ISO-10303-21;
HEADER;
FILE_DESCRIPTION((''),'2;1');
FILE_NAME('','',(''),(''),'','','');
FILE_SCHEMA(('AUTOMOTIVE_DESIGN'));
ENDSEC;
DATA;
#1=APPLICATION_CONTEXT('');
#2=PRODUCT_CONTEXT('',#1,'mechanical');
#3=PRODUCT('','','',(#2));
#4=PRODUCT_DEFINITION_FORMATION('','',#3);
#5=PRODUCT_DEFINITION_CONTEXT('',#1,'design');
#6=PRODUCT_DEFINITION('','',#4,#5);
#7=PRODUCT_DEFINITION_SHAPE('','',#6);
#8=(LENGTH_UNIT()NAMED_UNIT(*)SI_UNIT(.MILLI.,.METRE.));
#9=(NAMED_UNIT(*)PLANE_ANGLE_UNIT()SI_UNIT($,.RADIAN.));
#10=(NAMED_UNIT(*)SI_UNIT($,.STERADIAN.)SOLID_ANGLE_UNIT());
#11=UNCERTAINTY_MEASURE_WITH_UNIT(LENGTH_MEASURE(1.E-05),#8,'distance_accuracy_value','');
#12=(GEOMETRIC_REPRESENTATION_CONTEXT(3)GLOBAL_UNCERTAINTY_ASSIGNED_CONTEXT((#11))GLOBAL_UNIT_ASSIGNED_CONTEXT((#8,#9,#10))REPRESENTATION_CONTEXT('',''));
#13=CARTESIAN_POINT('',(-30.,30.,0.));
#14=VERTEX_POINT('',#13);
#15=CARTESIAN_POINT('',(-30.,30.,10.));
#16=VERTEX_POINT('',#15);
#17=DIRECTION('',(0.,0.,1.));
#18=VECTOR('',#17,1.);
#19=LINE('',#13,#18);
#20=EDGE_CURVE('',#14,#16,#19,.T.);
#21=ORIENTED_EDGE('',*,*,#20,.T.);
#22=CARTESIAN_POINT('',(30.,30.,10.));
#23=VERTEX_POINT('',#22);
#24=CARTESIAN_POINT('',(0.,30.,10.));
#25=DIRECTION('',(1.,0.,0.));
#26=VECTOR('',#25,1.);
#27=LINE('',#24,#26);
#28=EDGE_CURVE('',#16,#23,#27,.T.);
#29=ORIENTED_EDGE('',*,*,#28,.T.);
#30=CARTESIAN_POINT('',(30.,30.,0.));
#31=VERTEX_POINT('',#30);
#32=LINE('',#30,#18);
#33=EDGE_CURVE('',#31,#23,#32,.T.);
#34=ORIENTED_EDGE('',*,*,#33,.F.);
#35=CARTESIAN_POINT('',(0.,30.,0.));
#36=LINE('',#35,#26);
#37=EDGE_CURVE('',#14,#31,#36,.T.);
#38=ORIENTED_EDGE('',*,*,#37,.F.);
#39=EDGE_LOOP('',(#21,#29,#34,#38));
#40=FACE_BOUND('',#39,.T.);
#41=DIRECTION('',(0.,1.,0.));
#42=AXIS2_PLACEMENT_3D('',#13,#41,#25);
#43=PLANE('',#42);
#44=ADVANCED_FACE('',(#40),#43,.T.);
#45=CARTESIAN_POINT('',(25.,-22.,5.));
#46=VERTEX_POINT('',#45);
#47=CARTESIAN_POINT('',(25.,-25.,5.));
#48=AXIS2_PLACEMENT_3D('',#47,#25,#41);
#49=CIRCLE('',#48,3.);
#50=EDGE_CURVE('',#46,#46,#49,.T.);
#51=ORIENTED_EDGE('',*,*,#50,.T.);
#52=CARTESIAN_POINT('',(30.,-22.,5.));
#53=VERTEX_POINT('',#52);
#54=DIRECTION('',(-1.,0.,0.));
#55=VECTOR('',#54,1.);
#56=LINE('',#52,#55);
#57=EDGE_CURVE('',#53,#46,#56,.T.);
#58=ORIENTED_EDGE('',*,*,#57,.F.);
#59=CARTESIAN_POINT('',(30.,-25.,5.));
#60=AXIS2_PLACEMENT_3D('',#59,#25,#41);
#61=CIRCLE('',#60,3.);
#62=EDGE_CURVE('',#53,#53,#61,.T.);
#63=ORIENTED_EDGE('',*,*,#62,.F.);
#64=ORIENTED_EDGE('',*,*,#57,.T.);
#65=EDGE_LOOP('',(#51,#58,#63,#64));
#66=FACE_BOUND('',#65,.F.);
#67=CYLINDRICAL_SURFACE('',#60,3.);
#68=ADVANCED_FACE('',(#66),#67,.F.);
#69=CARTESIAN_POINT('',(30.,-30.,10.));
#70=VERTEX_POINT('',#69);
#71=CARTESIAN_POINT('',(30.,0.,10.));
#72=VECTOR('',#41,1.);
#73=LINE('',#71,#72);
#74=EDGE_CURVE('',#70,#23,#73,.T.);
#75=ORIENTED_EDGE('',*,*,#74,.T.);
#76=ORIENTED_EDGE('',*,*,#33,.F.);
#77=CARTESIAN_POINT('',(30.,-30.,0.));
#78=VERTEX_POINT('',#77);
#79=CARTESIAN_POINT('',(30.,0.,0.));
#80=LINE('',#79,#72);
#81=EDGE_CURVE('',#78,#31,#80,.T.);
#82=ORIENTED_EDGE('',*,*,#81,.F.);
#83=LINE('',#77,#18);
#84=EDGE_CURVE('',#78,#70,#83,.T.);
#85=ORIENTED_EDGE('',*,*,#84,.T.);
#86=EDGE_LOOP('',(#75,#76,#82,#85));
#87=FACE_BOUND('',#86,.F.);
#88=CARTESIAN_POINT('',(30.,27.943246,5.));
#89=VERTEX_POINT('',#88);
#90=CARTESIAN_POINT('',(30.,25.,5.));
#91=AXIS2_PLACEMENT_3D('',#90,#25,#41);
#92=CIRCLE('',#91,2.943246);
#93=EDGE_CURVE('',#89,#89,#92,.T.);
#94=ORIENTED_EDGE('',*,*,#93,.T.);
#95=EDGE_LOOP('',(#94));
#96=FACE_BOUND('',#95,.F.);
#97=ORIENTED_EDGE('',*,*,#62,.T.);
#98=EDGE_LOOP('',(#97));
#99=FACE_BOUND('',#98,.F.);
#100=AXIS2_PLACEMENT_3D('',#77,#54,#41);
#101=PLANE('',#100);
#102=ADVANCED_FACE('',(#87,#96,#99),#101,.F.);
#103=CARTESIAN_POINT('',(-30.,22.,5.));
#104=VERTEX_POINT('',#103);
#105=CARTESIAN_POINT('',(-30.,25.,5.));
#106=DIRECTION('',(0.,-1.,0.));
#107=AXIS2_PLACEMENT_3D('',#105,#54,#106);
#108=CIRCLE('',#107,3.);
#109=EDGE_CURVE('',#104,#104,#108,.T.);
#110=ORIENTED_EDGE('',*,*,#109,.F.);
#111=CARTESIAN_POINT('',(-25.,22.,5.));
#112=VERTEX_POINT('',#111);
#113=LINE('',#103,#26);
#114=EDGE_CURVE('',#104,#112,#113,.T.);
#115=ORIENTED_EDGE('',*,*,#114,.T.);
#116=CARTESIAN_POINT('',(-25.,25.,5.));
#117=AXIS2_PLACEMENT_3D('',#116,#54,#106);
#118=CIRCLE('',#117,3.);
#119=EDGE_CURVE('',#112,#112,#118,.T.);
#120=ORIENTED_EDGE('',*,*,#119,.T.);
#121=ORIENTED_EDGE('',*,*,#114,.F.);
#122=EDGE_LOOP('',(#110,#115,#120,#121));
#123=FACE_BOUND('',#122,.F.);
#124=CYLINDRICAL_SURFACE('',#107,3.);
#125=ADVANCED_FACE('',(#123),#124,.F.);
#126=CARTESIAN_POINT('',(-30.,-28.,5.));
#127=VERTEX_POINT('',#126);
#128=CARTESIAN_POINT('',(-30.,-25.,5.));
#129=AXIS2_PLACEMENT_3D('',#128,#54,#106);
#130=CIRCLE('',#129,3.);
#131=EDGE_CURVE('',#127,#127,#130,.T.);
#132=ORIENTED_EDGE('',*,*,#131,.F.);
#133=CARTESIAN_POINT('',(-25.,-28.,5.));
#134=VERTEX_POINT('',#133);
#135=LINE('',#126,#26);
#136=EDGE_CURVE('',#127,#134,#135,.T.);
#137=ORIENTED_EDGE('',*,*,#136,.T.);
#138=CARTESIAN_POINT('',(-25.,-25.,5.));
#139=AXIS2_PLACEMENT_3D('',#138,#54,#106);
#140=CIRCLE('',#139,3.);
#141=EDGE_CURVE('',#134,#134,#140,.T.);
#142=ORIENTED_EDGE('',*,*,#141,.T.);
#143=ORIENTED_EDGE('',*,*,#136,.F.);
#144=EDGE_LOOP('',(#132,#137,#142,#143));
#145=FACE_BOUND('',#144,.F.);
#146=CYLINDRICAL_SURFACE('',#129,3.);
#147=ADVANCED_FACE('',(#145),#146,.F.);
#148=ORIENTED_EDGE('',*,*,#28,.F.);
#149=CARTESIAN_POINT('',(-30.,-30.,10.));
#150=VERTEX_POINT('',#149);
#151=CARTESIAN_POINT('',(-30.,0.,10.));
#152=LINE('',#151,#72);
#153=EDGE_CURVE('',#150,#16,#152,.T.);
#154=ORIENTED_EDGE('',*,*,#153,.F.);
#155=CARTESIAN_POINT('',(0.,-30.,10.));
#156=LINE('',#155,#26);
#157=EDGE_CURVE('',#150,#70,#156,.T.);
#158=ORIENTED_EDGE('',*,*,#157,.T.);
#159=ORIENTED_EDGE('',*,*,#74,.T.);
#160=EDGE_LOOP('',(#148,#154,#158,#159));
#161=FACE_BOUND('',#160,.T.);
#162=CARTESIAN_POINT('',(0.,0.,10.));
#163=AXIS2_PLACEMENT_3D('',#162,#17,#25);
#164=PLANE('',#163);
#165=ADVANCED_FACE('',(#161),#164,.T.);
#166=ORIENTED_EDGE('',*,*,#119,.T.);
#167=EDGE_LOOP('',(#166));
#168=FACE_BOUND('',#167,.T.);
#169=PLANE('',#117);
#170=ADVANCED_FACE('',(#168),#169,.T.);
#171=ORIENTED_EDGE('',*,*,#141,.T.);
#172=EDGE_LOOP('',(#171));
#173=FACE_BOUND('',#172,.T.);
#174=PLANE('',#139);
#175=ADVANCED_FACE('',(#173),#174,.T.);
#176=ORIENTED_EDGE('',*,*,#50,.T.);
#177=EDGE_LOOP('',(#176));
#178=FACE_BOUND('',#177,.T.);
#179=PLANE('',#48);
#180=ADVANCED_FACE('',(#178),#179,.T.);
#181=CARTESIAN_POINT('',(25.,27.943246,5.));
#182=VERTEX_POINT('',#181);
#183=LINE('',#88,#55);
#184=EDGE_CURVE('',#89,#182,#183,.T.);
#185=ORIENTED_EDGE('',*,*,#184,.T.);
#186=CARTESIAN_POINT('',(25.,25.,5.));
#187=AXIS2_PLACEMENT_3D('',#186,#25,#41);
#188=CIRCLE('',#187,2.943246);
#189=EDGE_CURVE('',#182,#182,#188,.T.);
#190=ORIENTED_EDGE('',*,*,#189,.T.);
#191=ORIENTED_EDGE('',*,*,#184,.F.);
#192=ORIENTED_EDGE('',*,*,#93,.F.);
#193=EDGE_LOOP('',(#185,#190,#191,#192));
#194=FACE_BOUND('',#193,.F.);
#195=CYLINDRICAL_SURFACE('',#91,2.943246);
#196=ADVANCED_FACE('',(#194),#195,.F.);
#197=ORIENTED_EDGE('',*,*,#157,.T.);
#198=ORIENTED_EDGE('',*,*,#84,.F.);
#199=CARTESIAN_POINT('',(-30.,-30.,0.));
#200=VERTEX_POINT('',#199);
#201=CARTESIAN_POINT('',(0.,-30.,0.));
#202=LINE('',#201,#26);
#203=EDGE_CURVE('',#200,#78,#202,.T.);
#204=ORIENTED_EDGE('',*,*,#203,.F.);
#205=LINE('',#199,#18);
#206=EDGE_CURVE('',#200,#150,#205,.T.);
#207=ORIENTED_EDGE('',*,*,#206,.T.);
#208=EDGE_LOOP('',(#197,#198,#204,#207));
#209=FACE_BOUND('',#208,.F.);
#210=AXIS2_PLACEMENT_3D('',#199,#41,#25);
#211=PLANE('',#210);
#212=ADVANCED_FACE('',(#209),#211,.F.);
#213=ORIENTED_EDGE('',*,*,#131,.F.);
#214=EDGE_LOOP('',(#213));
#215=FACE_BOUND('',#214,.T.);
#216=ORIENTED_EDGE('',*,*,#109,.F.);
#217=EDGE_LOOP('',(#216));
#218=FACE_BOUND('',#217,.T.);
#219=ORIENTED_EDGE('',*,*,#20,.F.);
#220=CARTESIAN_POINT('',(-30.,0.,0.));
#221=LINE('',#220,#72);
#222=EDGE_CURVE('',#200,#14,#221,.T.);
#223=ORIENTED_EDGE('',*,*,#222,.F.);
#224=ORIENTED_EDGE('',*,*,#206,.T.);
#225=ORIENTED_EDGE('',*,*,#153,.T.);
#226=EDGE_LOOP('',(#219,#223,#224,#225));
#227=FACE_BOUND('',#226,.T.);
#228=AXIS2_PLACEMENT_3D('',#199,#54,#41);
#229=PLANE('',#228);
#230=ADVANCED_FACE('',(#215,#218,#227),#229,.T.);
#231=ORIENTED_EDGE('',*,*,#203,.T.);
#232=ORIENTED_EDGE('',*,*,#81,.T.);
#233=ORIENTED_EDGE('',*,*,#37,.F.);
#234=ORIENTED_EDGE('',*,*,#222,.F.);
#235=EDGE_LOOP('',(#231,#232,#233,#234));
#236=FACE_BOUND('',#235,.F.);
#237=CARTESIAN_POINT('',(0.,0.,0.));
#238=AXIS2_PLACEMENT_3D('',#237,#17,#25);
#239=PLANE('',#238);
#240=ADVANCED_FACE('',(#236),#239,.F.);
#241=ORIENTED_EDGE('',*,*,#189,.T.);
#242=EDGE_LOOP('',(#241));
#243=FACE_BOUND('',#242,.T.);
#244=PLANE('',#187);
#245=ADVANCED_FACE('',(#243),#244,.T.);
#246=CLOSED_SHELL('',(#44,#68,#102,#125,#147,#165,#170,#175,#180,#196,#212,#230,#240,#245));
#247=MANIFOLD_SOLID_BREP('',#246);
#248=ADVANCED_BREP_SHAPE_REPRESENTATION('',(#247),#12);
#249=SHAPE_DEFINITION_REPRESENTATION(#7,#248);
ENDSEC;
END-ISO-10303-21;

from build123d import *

# Parameters (mm, degrees)
F0_W     = 60
F0_H     = 60
F1_DEPTH = 10
F2_R     = 3
F2_R_2   = 2.943246
F4_DEPTH = 5
F3_R     = 3
F5_DEPTH = 5


with BuildPart() as f1:
    # F0 (on Top) → F1 (new body)
    with BuildSketch(Plane.XY):
        Rectangle(F0_W, F0_H)
    extrude(amount=F1_DEPTH)

    # F2 (on face) → F4 (cut)
    with BuildSketch(Plane.YZ.offset(30)):
        with Locations((-25, 5)):
            Circle(F2_R)
        with Locations((25, 5)):
            Circle(F2_R_2)
    extrude(amount=-F4_DEPTH, mode=Mode.SUBTRACT)

    # F3 (on face) → F5 (cut)
    with BuildSketch(Plane(origin=(-30, 0, 0), x_dir=(0, -1, 0), z_dir=(-1, 0, 0))):
        with Locations((-25, 5)):
            Circle(F3_R)
        with Locations((25, 5)):
            Circle(F3_R)
    extrude(amount=-F5_DEPTH, mode=Mode.SUBTRACT)


solid = f1.part
